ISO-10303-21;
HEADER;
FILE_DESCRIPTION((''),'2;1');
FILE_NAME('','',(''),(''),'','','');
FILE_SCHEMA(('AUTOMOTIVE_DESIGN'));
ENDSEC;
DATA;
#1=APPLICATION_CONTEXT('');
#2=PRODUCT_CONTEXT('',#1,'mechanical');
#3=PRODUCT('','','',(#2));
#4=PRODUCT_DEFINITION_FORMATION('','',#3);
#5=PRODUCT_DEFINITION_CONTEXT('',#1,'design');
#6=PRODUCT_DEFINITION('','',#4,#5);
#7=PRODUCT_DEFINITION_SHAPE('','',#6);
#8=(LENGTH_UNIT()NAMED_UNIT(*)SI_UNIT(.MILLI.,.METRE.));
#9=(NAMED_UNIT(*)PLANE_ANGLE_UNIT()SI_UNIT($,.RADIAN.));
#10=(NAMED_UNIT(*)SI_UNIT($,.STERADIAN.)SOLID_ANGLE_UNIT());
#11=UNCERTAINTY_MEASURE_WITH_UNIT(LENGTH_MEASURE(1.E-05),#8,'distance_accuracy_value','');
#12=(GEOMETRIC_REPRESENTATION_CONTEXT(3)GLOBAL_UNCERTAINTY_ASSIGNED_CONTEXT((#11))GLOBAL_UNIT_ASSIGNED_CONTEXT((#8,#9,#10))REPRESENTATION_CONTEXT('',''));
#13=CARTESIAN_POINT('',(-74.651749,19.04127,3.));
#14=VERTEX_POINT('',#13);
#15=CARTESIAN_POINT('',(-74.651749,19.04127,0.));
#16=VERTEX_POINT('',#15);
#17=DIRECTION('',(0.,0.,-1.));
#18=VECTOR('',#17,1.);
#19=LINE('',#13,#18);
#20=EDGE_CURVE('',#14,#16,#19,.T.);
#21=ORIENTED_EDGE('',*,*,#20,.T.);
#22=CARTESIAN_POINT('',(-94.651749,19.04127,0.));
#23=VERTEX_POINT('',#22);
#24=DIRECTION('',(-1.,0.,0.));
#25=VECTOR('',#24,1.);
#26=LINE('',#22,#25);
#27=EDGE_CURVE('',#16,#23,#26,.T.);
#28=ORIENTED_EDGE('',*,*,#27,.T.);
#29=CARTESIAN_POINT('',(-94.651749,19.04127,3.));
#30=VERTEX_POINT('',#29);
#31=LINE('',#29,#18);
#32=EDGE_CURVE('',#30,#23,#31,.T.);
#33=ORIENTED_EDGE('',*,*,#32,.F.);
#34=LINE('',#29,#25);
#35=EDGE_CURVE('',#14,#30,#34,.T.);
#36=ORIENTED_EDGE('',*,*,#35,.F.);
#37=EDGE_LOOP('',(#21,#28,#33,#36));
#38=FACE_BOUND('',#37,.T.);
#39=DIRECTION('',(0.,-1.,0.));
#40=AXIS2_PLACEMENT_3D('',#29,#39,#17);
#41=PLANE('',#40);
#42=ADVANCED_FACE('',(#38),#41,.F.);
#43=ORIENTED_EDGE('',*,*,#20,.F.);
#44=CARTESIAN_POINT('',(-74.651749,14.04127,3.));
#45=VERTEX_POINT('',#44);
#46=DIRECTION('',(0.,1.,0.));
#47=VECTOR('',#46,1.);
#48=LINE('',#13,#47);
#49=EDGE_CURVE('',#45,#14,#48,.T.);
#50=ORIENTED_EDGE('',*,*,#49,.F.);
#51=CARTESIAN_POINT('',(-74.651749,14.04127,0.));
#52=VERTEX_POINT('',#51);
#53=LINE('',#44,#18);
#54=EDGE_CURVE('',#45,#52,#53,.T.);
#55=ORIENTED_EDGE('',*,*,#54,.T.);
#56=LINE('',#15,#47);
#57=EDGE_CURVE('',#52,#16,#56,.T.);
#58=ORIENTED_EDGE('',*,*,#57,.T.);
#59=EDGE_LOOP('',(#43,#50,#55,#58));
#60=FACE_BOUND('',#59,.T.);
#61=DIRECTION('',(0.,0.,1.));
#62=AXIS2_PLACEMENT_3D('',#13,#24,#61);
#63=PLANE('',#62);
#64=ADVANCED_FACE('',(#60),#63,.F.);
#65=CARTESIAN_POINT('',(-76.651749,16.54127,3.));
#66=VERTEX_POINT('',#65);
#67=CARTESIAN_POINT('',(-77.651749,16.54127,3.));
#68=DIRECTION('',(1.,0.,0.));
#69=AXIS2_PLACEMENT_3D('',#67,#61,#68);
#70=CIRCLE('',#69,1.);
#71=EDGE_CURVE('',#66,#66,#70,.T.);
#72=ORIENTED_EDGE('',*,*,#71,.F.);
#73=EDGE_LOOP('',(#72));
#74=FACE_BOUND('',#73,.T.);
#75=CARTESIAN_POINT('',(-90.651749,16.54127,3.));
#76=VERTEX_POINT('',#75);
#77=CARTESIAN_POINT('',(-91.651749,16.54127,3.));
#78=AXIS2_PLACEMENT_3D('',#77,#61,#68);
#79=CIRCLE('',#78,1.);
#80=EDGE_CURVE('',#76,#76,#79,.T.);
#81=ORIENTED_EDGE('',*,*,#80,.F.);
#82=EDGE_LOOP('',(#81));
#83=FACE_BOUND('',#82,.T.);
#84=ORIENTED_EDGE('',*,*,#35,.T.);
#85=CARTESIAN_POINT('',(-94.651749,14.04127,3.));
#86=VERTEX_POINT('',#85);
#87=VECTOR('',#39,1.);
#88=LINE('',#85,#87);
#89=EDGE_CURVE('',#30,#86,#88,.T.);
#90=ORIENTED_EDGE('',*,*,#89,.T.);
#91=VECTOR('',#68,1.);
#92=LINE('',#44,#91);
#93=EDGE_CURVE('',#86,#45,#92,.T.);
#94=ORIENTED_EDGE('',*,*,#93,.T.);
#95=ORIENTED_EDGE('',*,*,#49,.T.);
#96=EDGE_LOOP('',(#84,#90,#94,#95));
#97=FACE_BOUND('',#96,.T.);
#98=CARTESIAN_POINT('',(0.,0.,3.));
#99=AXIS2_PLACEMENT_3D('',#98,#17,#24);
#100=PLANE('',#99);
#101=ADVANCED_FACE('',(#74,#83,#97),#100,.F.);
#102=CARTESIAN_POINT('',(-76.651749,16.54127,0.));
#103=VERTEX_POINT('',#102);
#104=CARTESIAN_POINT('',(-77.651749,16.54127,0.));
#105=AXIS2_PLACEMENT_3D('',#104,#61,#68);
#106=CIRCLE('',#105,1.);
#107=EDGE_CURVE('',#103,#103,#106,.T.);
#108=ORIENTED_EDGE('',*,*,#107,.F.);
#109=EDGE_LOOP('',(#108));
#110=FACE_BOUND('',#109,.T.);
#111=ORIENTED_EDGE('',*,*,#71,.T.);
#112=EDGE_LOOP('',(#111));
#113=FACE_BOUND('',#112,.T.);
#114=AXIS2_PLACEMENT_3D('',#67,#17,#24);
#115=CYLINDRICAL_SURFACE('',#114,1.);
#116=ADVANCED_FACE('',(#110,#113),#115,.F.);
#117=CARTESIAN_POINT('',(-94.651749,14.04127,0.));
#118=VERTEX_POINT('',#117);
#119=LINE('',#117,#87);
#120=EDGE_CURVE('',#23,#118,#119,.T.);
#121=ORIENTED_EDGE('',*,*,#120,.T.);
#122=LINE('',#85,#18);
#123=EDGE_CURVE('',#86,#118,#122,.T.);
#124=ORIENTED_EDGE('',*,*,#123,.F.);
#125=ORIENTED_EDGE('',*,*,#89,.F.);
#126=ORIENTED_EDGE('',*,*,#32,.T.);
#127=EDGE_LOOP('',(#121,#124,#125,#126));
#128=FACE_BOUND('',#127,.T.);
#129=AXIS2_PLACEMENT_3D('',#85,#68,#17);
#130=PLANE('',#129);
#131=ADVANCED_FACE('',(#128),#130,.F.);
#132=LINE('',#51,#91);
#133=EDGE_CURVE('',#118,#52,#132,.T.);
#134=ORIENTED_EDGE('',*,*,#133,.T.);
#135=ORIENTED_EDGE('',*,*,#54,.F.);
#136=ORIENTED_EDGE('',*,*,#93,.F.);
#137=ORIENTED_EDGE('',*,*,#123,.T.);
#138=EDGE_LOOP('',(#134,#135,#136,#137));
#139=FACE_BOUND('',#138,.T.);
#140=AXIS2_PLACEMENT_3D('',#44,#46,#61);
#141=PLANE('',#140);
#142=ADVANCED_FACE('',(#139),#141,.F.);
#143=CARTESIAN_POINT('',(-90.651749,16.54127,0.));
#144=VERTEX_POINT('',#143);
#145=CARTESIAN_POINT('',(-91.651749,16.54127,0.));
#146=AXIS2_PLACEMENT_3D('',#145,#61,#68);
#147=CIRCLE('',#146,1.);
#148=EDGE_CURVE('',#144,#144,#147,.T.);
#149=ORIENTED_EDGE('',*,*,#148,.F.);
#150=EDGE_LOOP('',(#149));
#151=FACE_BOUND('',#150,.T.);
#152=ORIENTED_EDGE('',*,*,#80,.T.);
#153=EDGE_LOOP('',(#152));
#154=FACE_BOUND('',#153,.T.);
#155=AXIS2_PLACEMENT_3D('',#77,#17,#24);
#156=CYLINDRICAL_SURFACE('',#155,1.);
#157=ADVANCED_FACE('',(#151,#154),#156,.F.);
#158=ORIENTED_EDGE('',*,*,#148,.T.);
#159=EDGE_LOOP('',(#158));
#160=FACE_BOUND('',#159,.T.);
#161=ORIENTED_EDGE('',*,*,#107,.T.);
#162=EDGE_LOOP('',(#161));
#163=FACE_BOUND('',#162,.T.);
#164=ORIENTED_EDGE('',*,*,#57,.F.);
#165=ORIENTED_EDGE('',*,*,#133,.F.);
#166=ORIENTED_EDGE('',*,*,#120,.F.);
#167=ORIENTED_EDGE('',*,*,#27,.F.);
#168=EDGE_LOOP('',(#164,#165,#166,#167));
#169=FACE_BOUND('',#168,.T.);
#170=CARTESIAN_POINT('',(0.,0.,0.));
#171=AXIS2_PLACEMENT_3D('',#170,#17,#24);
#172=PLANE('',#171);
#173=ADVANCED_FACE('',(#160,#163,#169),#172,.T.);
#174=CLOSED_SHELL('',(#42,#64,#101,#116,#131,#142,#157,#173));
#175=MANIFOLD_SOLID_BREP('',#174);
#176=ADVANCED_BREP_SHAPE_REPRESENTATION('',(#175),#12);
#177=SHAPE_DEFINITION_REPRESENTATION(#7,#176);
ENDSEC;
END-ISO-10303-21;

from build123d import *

# Parameters (mm, degrees)
SKETCH1_W           = 20
SKETCH1_H           = 5
SKETCH1_R           = 1
BOSS_EXTRUDE1_DEPTH = 3


with BuildPart() as part:
    # Sketch1 → Boss-Extrude1 (new body)
    with BuildSketch(Plane.XY):
        with Locations((-84.651749264, 16.541269871)):
            Rectangle(SKETCH1_W, SKETCH1_H)
        with Locations((-91.651749264, 16.541269871)):
            Circle(SKETCH1_R, mode=Mode.SUBTRACT)
        with Locations((-77.651749264, 16.541269871)):
            Circle(SKETCH1_R, mode=Mode.SUBTRACT)
    extrude(amount=BOSS_EXTRUDE1_DEPTH)


solid = part.part
